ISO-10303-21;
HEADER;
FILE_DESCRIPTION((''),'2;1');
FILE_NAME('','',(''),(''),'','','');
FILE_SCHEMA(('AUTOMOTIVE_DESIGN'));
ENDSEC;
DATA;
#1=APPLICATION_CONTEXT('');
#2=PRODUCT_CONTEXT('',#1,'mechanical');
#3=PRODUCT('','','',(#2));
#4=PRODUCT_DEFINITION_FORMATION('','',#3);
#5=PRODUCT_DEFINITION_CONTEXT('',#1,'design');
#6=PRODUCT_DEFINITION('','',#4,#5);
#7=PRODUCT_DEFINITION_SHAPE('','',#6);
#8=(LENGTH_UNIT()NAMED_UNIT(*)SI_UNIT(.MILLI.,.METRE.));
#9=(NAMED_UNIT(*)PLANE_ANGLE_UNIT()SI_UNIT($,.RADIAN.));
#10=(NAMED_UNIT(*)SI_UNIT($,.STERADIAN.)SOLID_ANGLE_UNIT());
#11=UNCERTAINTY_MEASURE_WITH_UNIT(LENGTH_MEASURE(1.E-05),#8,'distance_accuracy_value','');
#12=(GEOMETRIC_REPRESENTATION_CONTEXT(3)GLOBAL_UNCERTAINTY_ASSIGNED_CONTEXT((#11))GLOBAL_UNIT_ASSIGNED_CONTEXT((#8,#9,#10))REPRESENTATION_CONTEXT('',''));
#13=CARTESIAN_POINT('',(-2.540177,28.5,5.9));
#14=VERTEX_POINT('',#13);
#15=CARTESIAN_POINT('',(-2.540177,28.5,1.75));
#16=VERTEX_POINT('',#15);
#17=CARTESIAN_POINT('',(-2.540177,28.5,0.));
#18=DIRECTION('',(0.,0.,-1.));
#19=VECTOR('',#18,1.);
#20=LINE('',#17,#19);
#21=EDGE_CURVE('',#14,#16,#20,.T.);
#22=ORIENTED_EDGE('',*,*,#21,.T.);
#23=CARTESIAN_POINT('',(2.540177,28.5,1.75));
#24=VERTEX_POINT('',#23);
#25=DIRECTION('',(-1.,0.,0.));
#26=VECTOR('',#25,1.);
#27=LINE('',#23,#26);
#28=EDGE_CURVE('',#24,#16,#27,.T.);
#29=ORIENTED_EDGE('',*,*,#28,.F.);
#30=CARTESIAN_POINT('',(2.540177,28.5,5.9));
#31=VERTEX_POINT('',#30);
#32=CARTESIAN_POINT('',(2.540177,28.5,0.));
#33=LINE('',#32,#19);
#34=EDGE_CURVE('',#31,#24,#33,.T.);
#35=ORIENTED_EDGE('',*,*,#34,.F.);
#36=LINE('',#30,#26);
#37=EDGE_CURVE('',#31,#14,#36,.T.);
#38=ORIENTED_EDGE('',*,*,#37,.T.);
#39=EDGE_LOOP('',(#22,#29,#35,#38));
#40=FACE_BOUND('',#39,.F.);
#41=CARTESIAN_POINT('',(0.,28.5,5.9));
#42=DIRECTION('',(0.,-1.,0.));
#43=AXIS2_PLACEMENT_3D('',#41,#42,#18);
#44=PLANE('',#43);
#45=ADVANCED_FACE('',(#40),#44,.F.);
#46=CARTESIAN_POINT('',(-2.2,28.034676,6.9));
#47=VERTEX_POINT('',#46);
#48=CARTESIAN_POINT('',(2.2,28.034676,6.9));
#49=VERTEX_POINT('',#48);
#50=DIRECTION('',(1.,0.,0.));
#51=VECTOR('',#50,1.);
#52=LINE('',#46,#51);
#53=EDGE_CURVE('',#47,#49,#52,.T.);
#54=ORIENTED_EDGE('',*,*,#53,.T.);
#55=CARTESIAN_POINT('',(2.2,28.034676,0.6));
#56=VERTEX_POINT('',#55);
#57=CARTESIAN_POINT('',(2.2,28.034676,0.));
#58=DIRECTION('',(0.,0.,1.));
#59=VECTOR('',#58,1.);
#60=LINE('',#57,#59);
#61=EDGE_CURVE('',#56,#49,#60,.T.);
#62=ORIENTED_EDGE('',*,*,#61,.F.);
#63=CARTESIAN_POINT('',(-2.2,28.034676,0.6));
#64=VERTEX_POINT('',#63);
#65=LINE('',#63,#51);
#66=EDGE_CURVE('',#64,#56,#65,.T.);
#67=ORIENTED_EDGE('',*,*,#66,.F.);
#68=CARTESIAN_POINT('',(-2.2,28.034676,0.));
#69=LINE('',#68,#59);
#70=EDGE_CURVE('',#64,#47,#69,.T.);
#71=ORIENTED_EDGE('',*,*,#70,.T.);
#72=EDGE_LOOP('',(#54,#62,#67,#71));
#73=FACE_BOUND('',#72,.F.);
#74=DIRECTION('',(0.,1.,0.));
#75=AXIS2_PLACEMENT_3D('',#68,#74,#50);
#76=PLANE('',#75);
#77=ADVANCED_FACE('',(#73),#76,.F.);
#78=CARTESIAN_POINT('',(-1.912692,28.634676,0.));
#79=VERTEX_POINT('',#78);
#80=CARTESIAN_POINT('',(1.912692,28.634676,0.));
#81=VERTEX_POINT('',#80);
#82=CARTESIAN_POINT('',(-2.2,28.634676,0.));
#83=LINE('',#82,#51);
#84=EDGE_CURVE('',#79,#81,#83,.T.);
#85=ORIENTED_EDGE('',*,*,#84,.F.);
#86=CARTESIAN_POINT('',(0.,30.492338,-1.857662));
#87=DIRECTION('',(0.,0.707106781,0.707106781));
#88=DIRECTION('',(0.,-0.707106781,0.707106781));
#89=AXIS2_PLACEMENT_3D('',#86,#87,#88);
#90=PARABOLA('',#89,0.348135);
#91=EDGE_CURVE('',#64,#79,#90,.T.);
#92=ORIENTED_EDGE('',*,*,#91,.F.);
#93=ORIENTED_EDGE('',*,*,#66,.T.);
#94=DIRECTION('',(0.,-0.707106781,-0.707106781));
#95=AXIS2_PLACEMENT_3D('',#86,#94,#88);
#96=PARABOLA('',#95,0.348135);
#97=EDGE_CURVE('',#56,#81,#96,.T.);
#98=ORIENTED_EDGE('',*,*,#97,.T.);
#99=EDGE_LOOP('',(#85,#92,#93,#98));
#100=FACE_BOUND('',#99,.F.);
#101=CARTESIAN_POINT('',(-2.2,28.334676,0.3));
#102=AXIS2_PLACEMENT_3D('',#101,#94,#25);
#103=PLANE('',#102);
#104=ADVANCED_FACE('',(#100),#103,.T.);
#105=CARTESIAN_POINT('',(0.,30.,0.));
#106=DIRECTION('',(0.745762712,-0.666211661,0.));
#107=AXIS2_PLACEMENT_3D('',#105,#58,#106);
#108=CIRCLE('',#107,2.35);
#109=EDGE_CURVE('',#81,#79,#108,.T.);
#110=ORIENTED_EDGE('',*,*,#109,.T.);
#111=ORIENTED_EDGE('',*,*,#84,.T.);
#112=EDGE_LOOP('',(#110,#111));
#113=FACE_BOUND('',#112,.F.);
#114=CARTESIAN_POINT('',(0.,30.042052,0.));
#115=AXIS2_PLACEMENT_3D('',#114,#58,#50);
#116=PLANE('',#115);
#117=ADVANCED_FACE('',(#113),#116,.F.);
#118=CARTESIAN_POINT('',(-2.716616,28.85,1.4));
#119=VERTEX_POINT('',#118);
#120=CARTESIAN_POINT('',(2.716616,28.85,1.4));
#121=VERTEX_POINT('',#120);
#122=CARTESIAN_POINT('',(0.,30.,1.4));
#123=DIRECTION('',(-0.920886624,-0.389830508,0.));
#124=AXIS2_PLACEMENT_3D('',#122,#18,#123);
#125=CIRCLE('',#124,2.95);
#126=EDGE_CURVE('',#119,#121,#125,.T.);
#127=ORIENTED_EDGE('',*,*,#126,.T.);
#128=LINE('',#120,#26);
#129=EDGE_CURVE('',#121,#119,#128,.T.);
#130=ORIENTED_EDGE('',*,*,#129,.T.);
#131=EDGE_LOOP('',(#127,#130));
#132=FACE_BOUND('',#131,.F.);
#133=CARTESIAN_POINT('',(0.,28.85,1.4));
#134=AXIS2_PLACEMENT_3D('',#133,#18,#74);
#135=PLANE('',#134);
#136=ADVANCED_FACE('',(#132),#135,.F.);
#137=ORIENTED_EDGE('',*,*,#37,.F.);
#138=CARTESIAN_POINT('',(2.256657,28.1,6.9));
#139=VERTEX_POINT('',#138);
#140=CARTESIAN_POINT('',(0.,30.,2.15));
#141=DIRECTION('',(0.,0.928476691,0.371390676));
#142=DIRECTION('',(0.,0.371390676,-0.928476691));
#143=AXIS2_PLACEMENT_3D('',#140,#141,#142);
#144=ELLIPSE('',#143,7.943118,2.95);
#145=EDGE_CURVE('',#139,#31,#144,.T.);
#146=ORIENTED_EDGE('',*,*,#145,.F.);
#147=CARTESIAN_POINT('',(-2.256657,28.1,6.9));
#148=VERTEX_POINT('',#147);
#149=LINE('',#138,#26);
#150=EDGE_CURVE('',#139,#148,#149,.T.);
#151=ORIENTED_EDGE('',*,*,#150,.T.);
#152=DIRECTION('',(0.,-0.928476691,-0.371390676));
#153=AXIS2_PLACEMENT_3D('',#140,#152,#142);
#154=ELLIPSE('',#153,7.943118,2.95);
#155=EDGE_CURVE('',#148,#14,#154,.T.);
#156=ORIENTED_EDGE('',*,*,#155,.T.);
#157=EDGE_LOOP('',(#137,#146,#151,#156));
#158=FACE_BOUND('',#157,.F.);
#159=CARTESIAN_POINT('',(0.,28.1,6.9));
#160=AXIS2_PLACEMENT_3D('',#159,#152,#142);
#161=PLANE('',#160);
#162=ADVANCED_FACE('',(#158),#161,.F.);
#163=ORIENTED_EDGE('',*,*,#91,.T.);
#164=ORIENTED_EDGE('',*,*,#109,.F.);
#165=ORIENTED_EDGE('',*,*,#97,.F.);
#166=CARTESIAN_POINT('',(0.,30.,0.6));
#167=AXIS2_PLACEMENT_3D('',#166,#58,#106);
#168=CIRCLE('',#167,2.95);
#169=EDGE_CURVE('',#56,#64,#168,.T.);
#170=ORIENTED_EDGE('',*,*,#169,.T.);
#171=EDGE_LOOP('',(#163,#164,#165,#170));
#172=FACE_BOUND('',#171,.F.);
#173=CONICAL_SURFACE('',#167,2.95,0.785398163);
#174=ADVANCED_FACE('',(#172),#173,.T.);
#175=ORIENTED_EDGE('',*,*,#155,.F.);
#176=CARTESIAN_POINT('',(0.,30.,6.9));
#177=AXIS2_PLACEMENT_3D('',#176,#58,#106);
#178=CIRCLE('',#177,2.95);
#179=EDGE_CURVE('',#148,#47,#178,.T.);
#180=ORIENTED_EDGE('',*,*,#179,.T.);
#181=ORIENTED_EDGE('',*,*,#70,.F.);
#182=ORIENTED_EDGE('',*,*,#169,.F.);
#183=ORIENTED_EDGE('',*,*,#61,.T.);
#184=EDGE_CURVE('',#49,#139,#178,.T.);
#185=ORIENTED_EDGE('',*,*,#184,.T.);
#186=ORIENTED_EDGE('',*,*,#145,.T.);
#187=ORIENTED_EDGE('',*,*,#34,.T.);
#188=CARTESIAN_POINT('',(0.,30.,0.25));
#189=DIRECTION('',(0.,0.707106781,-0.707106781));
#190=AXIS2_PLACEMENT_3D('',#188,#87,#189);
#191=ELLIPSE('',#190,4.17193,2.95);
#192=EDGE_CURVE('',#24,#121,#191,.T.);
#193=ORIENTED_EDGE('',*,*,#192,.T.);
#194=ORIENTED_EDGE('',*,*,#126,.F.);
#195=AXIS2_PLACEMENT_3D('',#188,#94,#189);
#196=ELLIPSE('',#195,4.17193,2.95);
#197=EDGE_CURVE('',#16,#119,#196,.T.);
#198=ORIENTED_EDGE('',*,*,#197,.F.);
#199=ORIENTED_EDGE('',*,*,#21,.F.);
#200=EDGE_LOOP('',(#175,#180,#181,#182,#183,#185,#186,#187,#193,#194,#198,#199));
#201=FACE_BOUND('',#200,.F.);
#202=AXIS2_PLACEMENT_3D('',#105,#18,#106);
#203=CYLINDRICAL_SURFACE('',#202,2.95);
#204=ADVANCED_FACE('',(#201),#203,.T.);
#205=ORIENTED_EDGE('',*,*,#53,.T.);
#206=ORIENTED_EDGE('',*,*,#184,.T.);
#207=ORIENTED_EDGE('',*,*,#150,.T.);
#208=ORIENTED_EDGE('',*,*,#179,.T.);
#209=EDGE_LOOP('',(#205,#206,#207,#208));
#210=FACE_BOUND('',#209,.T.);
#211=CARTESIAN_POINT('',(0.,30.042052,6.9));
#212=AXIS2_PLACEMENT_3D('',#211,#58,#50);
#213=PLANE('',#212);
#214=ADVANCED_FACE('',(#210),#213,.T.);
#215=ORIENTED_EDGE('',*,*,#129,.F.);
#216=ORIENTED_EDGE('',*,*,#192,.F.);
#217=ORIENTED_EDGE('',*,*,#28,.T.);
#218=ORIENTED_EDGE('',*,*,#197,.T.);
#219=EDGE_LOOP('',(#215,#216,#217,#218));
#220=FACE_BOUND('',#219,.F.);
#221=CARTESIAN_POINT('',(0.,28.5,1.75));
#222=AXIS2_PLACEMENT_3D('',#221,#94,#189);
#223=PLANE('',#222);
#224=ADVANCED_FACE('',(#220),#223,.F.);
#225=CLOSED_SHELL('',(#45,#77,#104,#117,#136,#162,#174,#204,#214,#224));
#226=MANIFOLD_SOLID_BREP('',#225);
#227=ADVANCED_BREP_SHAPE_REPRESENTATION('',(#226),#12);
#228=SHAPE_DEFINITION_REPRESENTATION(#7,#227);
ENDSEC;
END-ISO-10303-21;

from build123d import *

# Parameters (mm, degrees)
PAD007_DEPTH         = 6.9
POCKET005_DEPTH      = 2.951
POCKET005_DEPTH_BACK = 2.951
CHAMFER008_SIZE      = 0.6


with BuildPart() as part:
    # Sketch018 → Pad007 (new body)
    with BuildSketch(Plane.XY):
        with BuildLine():
            ThreePointArc((2.2, -1.9653244007), (0, 2.95), (-2.2, -1.9653244007))
            Line((-2.2, -1.9653244007), (2.2, -1.9653244007))
        make_face()
    extrude(amount=PAD007_DEPTH)

    # Sketch019 → Pocket005 (cut, two sides)
    with BuildSketch(Plane.YZ) as pocket005_sk:
        Polygon((-1.9, 6.9), (-1.5, 5.9), (-1.5, 1.75), (-1.15, 1.4), (5, 1.4), (5, 6.9), align=None)
    extrude(amount=-POCKET005_DEPTH, mode=Mode.SUBTRACT)
    extrude(pocket005_sk.sketch, amount=POCKET005_DEPTH_BACK, mode=Mode.SUBTRACT)

    # Chamfer008
    chamfer008_edges = [part.edges().sort_by_distance(p)[0] for p in [
        (0, 2.95, 0),
        (0, -1.965324, 0),
    ]]
    chamfer(chamfer008_edges, length=CHAMFER008_SIZE)


with BuildPart() as part_1:
    # Body055 placement: moved
    add(part.part.moved(Location((0, 30, 0))))


solid = part_1.part
